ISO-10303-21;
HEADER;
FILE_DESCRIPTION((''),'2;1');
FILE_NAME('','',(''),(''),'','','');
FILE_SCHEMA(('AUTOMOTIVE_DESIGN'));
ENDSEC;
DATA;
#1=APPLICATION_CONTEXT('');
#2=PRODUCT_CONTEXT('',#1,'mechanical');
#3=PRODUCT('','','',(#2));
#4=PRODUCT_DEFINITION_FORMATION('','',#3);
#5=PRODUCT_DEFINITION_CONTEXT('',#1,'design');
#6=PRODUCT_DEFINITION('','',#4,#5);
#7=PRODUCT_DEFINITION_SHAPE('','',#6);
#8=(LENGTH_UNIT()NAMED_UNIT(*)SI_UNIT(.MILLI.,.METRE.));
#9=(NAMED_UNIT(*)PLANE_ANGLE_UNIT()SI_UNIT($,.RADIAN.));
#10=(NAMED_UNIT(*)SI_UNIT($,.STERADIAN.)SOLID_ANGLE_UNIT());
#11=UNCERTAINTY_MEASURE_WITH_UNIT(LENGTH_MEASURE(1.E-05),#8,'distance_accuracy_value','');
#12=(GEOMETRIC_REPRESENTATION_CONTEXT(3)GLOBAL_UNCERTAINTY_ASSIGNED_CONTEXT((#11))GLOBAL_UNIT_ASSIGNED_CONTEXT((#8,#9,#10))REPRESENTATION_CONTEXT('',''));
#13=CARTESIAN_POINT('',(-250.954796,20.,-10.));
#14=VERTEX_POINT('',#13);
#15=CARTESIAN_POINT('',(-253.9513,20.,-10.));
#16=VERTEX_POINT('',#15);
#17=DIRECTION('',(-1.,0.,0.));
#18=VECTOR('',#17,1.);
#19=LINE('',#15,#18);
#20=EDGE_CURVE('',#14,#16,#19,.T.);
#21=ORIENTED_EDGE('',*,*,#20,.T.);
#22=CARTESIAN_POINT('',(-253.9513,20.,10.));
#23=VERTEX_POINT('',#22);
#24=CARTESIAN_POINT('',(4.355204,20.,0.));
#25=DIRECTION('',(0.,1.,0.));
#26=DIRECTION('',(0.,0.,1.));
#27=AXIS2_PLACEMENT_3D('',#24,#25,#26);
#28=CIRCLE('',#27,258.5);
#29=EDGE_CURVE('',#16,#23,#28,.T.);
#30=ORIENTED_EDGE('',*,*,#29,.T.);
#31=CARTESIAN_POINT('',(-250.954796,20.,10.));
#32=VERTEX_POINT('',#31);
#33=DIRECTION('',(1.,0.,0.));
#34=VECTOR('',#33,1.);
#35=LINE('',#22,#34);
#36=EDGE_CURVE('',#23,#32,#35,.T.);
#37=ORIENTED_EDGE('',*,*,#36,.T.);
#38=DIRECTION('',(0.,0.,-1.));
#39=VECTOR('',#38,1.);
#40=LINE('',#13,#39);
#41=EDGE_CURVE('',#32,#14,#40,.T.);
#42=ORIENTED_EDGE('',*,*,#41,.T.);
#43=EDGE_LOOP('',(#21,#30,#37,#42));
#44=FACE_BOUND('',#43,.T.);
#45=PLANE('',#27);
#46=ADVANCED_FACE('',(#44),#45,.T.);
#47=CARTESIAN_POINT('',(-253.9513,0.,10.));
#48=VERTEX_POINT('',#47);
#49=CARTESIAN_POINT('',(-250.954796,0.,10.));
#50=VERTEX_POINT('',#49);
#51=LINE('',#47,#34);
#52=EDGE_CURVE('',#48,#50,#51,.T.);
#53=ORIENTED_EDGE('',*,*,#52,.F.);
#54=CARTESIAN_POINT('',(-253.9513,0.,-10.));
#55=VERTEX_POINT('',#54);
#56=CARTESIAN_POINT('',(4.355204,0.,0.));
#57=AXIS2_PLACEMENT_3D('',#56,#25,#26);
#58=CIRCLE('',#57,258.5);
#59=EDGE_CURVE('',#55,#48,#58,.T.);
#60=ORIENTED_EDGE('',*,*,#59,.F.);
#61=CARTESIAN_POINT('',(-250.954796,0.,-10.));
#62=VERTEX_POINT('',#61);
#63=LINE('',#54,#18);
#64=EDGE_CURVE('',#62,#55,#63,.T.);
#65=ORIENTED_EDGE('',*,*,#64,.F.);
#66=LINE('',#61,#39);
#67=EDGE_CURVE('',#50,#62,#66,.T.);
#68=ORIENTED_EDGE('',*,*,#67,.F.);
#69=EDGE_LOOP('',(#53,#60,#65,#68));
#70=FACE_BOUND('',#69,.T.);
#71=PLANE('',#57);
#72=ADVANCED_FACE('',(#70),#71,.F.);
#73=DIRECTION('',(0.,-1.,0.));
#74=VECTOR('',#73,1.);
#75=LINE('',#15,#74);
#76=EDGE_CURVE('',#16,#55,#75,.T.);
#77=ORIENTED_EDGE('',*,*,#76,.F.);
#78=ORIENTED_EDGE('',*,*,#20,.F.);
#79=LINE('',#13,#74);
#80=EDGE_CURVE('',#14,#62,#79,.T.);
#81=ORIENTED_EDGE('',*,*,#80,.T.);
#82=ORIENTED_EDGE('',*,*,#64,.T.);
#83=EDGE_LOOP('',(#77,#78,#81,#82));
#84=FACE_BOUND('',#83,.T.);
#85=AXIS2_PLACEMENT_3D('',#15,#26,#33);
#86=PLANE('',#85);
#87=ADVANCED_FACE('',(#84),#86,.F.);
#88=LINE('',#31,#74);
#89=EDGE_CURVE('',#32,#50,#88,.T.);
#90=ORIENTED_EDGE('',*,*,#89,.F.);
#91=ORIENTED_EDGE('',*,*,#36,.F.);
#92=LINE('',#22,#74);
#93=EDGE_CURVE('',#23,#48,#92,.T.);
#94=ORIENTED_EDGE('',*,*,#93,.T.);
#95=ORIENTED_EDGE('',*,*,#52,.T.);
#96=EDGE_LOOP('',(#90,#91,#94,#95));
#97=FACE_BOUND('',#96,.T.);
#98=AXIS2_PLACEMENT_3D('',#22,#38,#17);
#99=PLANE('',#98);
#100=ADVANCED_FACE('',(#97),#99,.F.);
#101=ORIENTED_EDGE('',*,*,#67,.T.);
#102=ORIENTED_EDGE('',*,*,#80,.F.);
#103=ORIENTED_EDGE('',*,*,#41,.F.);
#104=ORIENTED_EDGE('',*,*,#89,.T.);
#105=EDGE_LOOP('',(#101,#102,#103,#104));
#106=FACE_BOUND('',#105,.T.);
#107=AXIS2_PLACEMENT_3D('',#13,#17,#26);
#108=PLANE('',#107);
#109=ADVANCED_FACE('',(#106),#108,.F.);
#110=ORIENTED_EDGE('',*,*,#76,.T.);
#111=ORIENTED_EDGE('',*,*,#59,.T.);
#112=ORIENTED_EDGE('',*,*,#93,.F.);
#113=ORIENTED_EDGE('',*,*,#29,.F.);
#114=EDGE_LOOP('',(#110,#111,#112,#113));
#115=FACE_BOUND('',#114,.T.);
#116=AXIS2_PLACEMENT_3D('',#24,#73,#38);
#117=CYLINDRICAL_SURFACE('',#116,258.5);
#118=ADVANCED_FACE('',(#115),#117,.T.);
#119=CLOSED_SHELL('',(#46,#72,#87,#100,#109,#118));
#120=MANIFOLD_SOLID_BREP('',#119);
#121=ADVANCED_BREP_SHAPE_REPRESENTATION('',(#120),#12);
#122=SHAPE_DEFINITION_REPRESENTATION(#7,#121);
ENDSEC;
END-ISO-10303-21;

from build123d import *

# Parameters (mm, degrees)
EXTRUDE_1_DEPTH = 20


with BuildPart() as part:
    # 草图1 → 凸台-拉伸1 (new body)
    with BuildSketch(Plane(origin=(0, 0, 0), x_dir=(1, 0, 0), z_dir=(0, 1, 0))):
        with BuildLine():
            Line((-253.951299648, 10), (-250.954795665, 10))
            Line((-250.954795665, 10), (-250.954795665, -10))
            Line((-250.954795665, -10), (-253.951299648, -10))
            ThreePointArc((-253.951299648, -10), (-254.144795665, 0), (-253.951299648, 10))
        make_face()
    extrude(amount=EXTRUDE_1_DEPTH)


solid = part.part
